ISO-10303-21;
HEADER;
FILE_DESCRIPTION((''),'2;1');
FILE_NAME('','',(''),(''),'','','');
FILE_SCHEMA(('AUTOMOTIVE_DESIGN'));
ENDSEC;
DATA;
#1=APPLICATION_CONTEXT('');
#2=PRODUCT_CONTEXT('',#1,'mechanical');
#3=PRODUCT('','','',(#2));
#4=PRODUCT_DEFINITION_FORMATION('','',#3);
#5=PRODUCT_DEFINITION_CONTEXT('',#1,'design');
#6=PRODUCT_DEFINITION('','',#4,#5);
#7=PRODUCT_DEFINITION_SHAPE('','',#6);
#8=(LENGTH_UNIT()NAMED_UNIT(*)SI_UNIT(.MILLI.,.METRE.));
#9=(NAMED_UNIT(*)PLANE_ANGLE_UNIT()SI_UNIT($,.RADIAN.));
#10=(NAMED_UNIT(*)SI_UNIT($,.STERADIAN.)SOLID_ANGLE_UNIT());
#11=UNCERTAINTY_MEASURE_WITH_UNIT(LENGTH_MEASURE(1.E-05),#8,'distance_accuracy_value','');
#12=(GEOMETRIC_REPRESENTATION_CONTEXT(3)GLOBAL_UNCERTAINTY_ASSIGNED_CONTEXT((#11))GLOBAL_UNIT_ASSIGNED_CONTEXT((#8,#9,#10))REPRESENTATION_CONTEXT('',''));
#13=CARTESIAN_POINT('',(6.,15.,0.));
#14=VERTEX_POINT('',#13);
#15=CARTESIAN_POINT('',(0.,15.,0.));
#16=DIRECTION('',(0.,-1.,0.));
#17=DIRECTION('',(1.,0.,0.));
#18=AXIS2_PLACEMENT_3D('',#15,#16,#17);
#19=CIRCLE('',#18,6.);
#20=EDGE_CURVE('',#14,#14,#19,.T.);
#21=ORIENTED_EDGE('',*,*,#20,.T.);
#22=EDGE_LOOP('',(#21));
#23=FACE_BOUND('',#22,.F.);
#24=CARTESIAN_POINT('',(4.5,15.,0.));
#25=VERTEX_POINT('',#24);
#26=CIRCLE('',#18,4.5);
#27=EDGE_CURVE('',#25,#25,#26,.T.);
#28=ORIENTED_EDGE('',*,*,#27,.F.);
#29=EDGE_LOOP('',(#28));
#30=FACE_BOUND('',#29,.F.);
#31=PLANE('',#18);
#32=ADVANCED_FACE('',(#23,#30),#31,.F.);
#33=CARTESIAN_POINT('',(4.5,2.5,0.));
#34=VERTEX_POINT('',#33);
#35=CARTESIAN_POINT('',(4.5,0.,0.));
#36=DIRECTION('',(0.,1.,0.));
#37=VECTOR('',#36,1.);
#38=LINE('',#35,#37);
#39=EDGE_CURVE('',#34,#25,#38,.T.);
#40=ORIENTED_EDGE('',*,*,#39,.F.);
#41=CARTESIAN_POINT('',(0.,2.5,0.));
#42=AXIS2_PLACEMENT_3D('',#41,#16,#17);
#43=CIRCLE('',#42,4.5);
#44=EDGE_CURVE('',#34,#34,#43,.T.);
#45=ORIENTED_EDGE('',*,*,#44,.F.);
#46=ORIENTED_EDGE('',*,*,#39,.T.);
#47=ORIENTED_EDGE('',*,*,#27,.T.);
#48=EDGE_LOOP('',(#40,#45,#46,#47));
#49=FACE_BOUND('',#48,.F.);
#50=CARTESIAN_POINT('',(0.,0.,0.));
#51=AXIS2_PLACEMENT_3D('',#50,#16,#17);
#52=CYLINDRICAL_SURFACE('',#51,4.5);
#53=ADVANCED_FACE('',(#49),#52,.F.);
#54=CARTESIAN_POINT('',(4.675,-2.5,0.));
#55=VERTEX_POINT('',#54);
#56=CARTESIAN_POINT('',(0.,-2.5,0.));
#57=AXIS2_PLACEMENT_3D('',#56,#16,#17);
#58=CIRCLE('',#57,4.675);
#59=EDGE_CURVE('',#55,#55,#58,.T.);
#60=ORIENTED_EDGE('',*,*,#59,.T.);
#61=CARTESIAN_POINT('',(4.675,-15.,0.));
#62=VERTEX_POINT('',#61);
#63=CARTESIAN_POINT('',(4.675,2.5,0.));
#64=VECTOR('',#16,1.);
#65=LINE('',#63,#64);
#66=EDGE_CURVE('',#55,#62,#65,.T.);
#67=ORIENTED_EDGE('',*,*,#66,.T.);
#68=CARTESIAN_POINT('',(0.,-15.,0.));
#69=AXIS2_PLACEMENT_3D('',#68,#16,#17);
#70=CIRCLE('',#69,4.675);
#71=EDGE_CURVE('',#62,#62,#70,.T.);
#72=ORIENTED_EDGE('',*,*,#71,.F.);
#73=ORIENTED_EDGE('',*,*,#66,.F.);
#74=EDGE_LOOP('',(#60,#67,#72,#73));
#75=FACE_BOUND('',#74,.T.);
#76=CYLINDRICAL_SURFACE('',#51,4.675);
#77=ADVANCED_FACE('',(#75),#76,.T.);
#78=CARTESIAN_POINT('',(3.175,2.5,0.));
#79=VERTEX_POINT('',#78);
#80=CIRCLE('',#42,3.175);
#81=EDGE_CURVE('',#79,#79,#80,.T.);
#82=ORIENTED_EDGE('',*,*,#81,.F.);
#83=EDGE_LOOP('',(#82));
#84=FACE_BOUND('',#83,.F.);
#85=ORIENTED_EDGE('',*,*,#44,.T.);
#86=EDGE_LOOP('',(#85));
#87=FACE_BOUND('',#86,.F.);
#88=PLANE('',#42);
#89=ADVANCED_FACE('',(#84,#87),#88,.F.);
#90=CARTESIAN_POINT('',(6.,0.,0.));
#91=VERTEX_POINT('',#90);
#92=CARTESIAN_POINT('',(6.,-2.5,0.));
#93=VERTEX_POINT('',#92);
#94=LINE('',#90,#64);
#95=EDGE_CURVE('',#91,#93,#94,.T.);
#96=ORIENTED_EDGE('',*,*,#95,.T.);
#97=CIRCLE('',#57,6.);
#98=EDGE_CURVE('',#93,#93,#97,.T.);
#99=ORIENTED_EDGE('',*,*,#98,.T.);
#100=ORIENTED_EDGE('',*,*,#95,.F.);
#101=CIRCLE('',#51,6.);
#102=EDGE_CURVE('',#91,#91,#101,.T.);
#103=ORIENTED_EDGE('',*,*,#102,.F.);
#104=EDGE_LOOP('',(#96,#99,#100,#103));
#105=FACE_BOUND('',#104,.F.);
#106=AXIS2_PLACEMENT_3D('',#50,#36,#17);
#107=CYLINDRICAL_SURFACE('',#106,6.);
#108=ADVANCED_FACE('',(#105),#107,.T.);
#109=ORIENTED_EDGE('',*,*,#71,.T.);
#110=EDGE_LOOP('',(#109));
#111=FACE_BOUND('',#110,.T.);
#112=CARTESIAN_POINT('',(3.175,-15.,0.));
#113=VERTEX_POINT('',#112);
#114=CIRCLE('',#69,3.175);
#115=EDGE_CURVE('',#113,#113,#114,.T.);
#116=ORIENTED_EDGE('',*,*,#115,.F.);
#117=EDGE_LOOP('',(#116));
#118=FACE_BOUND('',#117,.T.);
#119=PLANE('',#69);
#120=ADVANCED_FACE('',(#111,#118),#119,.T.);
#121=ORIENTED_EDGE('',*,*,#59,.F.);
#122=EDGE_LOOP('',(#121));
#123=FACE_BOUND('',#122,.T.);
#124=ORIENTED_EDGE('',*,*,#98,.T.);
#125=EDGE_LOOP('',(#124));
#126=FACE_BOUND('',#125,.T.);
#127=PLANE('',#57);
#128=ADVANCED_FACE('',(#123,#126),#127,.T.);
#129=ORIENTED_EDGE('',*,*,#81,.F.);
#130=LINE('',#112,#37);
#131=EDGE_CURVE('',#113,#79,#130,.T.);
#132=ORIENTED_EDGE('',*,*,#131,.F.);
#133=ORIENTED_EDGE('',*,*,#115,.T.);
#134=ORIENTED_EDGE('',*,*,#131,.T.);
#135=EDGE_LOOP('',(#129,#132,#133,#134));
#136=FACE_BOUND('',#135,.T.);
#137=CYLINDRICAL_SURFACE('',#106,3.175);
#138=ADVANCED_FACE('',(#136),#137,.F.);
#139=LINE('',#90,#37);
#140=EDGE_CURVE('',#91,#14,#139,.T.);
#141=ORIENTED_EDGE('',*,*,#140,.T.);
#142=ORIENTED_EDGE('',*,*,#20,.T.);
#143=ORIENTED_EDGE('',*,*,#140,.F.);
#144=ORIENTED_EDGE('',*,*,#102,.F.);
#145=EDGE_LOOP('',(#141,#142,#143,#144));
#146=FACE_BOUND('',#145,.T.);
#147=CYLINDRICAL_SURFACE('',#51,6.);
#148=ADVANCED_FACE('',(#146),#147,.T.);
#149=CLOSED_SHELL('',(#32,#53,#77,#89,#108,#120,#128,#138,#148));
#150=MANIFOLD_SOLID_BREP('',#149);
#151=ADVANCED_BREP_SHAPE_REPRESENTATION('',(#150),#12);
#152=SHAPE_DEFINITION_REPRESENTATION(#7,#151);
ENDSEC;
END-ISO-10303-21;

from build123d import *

# Parameters (mm, degrees)
F0_R          = 4.675
F0_R_2        = 3.175
F1_DEPTH      = 15
F1_DEPTH_BACK = 2.5
F2_R          = 6
F2_R_2        = 4.5
F3_DEPTH      = 15
F3_DEPTH_BACK = 2.5


with BuildPart() as f1:
    # F0 (on Front) → F1 (new body, two sides)
    with BuildSketch(Plane.XZ) as f1_sk:
        Circle(F0_R)
        Circle(F0_R_2, mode=Mode.SUBTRACT)
    extrude(amount=F1_DEPTH)
    extrude(f1_sk.sketch, amount=-F1_DEPTH_BACK)

    # F2 (on Front) → F3 (join, two sides)
    with BuildSketch(Plane.XZ) as f3_sk:
        Circle(F2_R)
        Circle(F2_R_2, mode=Mode.SUBTRACT)
    extrude(amount=-F3_DEPTH)
    extrude(f3_sk.sketch, amount=F3_DEPTH_BACK)


solid = f1.part
